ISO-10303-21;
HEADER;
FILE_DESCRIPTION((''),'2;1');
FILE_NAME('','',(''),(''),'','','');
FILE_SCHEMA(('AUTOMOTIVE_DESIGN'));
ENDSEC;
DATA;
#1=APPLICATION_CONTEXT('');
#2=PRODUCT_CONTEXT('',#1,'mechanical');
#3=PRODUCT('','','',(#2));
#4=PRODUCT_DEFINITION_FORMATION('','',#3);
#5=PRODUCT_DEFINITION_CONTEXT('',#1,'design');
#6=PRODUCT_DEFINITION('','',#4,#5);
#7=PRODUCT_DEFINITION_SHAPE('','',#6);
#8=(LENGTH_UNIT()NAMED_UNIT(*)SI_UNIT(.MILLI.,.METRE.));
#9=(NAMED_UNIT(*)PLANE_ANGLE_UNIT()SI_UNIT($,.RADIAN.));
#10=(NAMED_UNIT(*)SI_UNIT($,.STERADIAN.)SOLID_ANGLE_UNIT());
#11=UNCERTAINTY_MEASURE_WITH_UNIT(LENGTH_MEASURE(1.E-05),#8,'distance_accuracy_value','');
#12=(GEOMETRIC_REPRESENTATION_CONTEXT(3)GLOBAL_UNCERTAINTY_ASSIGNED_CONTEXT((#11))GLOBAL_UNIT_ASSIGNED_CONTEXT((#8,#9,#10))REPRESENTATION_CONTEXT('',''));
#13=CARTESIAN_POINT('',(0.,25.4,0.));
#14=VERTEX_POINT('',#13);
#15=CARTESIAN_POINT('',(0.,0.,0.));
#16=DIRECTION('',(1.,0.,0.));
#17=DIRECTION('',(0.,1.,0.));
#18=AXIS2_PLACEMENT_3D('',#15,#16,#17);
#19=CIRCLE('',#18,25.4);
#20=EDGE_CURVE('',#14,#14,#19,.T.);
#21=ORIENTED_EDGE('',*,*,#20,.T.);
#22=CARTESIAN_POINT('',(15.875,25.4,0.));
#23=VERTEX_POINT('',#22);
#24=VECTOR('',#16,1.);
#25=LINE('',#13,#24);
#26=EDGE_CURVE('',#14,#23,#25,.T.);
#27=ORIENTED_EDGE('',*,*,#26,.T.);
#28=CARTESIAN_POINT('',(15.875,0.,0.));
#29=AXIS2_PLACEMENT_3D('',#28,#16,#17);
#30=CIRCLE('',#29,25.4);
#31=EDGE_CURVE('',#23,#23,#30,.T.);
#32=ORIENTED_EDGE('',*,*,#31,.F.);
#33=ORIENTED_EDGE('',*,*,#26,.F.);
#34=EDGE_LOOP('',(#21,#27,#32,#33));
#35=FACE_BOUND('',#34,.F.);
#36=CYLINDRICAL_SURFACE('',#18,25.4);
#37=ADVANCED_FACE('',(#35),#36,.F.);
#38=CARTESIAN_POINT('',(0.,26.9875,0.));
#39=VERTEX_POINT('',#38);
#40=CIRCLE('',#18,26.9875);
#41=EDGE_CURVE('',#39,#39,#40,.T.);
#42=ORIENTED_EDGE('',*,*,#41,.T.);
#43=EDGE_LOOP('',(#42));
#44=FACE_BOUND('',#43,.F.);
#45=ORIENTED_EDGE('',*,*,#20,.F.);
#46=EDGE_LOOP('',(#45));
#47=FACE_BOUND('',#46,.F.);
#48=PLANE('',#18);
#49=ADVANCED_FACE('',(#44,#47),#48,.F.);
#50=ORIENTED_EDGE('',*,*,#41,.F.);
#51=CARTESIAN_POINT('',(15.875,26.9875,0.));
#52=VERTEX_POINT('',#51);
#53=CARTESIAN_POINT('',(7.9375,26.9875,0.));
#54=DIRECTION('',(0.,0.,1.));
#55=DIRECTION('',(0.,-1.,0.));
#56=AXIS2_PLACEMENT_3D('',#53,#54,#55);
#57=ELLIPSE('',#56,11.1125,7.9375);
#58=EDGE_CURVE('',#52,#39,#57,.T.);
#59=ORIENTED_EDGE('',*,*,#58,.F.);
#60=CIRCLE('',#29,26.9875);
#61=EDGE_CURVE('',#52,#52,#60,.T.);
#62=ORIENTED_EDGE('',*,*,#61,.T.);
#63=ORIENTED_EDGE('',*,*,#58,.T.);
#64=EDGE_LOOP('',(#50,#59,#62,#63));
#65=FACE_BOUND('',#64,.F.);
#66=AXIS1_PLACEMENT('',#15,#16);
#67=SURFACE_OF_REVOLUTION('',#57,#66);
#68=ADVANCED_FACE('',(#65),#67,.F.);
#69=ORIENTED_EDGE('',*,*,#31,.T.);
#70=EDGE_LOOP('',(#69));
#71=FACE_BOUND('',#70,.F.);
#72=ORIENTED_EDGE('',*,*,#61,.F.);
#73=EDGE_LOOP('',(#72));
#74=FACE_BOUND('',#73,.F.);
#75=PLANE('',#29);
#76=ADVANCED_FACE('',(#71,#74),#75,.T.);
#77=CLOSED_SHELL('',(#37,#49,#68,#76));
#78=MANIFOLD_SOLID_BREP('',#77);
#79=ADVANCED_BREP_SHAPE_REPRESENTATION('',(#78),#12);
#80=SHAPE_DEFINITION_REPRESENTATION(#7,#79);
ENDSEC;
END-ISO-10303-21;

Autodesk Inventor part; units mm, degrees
ref_plane "YZ Plane" through (0, 0, 0) normal (1, 0, 0) x (0, 1, 0)
ref_plane "XZ Plane" through (0, 0, 0) normal (0, 1, 0) x (-1, 0, 0)
ref_plane "XY Plane" through (0, 0, 0) normal (0, 0, 1) x (1, 0, 0)
sketch "Sketch1" plane through (0, 0, 0) normal (0, 0, 1) x (1, 0, 0)
  line L0 (0, 0) -> (15.875, 0) construction
  line L1 (0, 25.4) -> (15.875, 25.4)
  line L2 (15.875, 25.4) -> (15.875, 26.9875)
  line L3 (15.875, 26.9875) -> (0, 26.9875) construction
  line L4 (0, 26.9875) -> (0, 25.4)
  ellipse E0 centre (7.9375, 26.9875) end of major axis (0, 26.9875) minor radius 11.1125 (15.875, 26.9875) -> (0, 26.9875) ccw
  point P0 (7.9375, 38.1)
  dimension "d0" = 1.5875
  dimension "d1" = 15.875
  dimension "d2" = 25.4
  dimension "d3" = 11.1125
  dimension "d4" = 7.9375
  dimension "d5" = 15.875
revolve "Revolution1" add sketch "Sketch1" angle 360 about axis through (0, 0, 0) along (1, 0, 0)
equation "\"d4\" = 0.5 * d1"
equation "\"d5\" = d1"
properties part number "blue wheel tread"
